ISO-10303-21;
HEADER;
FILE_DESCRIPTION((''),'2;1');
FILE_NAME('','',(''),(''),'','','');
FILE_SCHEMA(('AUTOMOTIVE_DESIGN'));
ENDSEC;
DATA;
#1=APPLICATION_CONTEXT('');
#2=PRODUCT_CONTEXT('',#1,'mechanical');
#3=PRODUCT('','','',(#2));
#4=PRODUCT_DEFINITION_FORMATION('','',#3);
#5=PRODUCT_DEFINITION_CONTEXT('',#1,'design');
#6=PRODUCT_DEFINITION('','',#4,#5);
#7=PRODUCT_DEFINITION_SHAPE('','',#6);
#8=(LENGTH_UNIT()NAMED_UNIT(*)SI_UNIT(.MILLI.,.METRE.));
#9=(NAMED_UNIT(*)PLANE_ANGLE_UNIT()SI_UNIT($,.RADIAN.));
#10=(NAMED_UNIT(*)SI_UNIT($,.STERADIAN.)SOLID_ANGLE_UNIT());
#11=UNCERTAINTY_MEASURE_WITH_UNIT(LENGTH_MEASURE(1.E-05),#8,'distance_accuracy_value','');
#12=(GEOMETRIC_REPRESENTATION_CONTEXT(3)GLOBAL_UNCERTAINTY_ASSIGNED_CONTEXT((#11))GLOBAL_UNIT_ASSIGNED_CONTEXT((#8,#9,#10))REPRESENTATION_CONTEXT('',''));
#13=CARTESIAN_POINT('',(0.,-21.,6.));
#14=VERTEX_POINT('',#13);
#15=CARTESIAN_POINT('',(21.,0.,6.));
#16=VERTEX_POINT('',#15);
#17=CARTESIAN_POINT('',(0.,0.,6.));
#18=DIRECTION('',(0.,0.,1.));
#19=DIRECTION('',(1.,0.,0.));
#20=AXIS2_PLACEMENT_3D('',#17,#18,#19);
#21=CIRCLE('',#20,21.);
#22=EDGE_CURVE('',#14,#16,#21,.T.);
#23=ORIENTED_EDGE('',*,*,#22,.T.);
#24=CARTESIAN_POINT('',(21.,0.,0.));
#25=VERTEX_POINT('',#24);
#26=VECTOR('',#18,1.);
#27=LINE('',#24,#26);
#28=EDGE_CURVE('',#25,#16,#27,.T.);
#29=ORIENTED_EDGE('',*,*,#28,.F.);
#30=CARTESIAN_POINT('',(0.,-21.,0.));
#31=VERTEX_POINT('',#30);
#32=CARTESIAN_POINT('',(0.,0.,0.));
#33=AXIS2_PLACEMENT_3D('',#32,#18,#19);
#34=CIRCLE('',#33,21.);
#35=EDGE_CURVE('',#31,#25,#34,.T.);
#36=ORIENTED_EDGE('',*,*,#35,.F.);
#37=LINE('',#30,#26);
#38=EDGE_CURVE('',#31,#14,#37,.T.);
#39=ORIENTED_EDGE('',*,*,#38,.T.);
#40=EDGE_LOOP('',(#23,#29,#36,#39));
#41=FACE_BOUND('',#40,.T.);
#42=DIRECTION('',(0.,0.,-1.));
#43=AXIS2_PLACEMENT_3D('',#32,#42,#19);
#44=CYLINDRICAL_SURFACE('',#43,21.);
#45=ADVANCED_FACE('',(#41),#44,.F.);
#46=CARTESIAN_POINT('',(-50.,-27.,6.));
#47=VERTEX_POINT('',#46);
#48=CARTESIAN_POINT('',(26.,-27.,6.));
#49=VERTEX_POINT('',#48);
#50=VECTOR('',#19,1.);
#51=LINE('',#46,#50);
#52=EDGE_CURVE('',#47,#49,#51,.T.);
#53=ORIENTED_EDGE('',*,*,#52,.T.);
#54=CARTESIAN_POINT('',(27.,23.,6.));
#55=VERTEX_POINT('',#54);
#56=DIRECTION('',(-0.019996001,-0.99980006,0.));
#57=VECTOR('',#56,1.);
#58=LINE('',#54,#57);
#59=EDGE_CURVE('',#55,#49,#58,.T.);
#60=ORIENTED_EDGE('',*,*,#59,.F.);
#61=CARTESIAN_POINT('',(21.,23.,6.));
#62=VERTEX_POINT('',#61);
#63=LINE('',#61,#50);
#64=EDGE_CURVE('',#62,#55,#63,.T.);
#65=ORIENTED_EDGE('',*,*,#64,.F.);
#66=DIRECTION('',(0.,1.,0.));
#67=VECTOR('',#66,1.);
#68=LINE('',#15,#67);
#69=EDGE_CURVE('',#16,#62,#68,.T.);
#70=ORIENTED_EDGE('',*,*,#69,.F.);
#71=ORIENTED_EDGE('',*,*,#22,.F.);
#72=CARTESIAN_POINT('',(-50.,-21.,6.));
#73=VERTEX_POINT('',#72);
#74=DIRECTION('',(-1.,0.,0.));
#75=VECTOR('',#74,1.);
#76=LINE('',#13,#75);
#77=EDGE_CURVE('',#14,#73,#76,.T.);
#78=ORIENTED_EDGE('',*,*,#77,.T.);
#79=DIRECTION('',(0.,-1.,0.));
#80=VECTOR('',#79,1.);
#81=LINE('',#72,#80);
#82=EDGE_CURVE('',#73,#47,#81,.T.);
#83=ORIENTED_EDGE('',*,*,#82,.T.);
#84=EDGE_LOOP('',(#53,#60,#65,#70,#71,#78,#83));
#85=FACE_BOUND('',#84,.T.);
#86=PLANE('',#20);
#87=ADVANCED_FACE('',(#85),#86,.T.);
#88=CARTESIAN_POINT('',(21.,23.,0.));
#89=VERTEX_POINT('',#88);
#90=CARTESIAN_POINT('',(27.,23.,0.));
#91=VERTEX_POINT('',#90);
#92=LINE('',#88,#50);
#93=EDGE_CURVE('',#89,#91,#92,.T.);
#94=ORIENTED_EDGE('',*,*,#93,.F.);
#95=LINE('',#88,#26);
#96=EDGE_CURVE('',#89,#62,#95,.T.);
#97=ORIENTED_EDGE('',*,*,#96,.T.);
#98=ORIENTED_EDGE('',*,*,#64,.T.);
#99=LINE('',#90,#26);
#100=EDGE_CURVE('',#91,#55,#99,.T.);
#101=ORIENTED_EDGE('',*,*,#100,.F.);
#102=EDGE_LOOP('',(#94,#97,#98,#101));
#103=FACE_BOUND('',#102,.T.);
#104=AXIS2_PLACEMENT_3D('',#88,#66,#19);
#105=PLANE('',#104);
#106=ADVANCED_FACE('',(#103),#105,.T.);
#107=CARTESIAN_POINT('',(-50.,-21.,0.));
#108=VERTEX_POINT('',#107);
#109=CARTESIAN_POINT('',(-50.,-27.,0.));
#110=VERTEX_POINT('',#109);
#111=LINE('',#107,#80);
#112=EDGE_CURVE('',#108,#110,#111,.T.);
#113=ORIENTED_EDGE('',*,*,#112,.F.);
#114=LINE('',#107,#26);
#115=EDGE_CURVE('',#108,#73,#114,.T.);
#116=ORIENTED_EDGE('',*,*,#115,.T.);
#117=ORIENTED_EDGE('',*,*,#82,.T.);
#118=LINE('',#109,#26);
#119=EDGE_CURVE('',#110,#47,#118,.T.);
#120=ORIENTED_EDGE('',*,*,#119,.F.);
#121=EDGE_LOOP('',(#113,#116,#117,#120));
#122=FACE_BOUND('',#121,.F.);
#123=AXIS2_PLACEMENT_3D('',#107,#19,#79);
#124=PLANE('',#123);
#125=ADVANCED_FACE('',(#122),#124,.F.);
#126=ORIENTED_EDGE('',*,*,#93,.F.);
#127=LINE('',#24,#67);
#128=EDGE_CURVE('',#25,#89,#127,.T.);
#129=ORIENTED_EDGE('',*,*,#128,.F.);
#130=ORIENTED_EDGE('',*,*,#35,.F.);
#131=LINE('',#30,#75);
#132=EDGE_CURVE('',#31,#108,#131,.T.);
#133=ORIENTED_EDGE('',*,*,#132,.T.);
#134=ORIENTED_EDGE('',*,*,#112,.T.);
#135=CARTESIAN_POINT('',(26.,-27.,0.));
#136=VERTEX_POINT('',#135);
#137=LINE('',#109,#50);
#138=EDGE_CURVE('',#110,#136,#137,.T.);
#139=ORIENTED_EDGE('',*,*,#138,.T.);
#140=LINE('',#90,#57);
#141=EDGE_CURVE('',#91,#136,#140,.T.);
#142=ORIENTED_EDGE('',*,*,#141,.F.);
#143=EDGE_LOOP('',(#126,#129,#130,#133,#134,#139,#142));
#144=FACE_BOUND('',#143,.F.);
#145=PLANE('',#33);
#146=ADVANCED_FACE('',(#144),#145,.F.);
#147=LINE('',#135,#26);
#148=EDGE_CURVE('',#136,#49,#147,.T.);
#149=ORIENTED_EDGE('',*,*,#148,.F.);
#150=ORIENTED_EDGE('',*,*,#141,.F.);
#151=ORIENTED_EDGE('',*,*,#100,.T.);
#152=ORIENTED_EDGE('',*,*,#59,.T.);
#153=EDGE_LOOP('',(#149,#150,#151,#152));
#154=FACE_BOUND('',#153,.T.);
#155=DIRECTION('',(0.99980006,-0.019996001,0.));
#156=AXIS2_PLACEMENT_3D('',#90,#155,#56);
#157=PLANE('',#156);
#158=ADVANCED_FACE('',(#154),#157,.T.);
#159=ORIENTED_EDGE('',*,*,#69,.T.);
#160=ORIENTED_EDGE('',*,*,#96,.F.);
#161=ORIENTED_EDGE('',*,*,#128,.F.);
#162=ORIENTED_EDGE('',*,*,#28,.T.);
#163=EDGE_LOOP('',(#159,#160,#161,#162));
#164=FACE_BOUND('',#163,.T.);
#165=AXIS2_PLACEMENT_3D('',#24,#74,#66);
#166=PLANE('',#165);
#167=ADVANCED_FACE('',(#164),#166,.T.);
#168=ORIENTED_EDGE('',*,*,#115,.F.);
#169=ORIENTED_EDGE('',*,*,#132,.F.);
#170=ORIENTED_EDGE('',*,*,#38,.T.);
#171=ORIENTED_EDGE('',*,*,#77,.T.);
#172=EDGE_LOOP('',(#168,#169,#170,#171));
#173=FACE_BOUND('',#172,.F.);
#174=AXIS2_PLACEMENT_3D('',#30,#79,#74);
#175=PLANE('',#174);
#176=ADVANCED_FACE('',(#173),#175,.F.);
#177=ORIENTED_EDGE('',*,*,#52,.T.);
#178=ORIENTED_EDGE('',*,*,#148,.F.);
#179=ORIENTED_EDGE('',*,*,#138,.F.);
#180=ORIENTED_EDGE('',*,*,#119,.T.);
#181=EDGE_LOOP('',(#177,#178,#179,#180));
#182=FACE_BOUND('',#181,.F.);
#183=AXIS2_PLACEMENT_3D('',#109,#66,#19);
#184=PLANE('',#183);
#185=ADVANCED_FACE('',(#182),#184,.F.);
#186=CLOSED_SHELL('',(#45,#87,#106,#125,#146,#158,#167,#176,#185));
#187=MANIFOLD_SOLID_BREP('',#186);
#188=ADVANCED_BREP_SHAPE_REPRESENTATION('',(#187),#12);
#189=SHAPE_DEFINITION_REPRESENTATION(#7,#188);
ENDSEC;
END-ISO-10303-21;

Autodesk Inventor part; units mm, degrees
ref_plane "YZ Plane" through (0, 0, 0) normal (1, 0, 0) x (0, 1, 0)
ref_plane "XZ Plane" through (0, 0, 0) normal (0, 1, 0) x (-1, 0, 0)
ref_plane "XY Plane" through (0, 0, 0) normal (0, 0, 1) x (1, 0, 0)
sketch "Sketch1" plane through (0, 0, 0) normal (0, 0, 1) x (1, 0, 0)
  circle A0 centre (0, 0) radius 21
  line L0 (0, -21) -> (-50, -21)
  line L1 (-50, -21) -> (-50, -27)
  line L2 (-50, -27) -> (49, -27)
  line L3 (21, 0) -> (21, 23)
  line L4 (21, 23) -> (27, 23)
  line L5 (27, 23) -> (26, -27)
  dimension "d0" = 42
  dimension "d1" = 50
  dimension "d2" = 6
  dimension "d4" = 6
  dimension "d5" = 50
extrude "Extrusion1" add sketch "Sketch1" along normal blind 6 contours L3 L4 L5 L2 L1 L0 A0
properties part number "hOLD_2"
